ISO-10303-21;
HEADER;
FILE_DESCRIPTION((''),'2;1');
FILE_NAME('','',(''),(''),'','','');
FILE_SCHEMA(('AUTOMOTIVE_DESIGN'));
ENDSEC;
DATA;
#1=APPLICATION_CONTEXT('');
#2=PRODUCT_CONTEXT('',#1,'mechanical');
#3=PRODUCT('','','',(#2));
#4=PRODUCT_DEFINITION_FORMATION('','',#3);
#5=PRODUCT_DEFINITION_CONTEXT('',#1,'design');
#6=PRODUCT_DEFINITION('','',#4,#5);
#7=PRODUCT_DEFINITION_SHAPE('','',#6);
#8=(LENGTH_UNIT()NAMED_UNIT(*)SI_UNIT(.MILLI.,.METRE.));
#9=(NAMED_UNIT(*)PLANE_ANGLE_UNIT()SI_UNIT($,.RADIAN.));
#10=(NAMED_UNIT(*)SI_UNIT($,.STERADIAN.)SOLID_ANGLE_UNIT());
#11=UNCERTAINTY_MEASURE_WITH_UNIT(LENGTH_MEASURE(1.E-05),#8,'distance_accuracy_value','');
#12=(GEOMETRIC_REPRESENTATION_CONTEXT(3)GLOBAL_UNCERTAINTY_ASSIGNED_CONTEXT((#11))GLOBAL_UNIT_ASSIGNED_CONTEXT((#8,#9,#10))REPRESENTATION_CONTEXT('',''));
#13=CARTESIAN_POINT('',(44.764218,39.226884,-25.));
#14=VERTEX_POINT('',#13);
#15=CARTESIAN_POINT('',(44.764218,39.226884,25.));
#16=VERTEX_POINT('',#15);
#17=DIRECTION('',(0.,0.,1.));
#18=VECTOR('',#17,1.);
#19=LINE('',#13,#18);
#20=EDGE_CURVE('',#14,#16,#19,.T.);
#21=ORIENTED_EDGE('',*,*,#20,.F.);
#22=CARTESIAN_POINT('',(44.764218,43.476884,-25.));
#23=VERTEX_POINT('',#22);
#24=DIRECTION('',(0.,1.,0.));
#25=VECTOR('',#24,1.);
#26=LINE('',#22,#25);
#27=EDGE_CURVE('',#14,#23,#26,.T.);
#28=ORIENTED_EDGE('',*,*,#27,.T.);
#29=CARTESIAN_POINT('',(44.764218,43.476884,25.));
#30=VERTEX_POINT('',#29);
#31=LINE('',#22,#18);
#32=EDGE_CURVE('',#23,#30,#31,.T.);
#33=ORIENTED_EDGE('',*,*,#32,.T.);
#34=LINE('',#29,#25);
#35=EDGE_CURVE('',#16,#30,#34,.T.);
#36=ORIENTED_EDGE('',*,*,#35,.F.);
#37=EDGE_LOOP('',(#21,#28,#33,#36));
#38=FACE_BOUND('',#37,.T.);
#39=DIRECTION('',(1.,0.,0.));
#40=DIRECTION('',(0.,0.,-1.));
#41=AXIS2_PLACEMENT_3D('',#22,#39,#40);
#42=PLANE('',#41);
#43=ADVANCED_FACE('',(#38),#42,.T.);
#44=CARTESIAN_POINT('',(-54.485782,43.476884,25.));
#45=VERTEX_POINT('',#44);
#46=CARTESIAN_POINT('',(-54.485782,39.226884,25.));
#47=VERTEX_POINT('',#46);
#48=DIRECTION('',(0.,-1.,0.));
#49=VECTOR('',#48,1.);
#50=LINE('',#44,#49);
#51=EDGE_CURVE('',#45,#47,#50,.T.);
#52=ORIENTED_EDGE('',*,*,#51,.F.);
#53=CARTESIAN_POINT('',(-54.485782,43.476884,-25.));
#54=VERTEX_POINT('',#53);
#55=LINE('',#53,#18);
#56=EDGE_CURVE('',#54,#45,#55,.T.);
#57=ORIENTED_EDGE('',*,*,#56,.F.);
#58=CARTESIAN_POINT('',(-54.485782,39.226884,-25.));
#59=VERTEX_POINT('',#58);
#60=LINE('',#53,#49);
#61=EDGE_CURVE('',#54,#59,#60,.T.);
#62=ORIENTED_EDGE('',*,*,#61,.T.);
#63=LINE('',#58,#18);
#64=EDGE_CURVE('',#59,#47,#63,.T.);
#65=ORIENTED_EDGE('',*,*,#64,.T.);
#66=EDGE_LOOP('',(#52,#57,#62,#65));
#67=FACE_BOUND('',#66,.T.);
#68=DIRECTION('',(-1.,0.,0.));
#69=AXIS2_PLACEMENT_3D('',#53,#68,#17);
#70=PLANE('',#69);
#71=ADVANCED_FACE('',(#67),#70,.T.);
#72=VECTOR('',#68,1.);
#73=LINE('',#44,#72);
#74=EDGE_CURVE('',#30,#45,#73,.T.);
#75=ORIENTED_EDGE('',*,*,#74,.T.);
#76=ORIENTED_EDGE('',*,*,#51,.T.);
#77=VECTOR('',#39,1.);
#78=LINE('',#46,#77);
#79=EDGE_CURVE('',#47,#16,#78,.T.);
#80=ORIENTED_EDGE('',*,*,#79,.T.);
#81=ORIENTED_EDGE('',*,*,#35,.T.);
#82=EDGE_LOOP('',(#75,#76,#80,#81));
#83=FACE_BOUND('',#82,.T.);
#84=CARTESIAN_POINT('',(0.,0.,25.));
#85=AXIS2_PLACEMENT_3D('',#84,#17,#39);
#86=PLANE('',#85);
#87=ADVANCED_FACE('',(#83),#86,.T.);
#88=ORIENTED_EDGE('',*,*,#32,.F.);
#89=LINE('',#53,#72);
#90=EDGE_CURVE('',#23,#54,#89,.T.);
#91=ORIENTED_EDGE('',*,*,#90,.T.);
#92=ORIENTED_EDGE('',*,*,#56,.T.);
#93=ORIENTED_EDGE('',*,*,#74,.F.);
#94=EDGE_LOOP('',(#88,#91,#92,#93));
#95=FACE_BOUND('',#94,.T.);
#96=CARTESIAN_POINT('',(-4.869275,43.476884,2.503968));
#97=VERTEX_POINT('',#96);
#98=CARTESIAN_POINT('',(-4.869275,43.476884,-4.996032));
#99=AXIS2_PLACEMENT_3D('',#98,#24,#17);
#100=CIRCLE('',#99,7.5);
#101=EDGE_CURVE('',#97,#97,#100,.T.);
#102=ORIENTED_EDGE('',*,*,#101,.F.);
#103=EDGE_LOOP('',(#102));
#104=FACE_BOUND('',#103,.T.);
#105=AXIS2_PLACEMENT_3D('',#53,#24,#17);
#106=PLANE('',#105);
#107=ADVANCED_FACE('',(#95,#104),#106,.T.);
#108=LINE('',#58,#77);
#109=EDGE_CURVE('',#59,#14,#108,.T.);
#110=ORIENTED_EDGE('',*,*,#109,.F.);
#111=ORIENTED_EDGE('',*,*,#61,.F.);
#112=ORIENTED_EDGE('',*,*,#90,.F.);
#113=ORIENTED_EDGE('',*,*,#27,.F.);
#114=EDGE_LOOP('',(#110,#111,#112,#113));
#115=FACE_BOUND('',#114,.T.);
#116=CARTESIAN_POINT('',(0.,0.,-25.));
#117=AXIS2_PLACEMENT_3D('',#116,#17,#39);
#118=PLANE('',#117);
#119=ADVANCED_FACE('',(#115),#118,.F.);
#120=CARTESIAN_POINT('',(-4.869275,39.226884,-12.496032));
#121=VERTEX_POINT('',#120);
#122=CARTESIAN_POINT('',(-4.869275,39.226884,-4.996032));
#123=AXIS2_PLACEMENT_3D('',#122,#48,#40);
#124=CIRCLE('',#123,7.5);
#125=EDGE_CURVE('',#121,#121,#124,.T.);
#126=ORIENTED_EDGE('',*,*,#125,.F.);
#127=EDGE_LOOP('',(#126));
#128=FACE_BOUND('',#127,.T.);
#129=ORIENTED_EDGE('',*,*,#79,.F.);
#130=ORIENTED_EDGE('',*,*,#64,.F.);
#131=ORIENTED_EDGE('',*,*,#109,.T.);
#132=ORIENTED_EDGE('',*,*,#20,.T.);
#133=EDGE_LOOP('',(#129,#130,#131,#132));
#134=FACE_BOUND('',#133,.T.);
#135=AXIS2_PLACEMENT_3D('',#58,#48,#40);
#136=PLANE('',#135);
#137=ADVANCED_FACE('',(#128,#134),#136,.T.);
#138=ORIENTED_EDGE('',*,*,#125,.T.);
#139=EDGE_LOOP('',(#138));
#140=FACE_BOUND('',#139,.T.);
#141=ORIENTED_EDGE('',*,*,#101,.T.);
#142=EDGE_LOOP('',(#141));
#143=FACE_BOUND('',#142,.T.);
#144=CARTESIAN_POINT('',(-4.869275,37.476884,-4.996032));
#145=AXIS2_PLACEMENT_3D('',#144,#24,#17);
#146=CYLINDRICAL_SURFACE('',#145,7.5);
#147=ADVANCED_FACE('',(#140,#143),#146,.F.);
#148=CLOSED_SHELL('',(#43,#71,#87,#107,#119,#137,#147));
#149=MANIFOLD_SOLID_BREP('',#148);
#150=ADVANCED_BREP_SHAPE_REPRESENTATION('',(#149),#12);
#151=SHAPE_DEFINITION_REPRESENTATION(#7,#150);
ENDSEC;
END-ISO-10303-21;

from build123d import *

# Parameters (mm, degrees)
SKETCH1_W           = 99.25
SKETCH1_H           = 4.25
BOSS_EXTRUDE1_DEPTH = 25
CUT_EXTRUDE1_START  = 43.476884
SKETCH2_R           = 7.5
CUT_EXTRUDE1_DEPTH  = 6


with BuildPart() as part:
    # Sketch1 → Boss-Extrude1 (new, symmetric)
    with BuildSketch(Plane.XY):
        with Locations((-4.860782361, 41.351884068)):
            Rectangle(SKETCH1_W, SKETCH1_H)
    extrude(amount=BOSS_EXTRUDE1_DEPTH, both=True)

    # Sketch2 → Cut-Extrude1 (cut)
    with BuildSketch(Plane(origin=(0, 0, 0), x_dir=(1, 0, 0), z_dir=(0, 1, 0)).offset(CUT_EXTRUDE1_START)):
        with Locations(Location((-4.869275063, 4.996031553, 0), (0, 0, 270))):
            Circle(SKETCH2_R)
    extrude(amount=-CUT_EXTRUDE1_DEPTH, mode=Mode.SUBTRACT)


solid = part.part
